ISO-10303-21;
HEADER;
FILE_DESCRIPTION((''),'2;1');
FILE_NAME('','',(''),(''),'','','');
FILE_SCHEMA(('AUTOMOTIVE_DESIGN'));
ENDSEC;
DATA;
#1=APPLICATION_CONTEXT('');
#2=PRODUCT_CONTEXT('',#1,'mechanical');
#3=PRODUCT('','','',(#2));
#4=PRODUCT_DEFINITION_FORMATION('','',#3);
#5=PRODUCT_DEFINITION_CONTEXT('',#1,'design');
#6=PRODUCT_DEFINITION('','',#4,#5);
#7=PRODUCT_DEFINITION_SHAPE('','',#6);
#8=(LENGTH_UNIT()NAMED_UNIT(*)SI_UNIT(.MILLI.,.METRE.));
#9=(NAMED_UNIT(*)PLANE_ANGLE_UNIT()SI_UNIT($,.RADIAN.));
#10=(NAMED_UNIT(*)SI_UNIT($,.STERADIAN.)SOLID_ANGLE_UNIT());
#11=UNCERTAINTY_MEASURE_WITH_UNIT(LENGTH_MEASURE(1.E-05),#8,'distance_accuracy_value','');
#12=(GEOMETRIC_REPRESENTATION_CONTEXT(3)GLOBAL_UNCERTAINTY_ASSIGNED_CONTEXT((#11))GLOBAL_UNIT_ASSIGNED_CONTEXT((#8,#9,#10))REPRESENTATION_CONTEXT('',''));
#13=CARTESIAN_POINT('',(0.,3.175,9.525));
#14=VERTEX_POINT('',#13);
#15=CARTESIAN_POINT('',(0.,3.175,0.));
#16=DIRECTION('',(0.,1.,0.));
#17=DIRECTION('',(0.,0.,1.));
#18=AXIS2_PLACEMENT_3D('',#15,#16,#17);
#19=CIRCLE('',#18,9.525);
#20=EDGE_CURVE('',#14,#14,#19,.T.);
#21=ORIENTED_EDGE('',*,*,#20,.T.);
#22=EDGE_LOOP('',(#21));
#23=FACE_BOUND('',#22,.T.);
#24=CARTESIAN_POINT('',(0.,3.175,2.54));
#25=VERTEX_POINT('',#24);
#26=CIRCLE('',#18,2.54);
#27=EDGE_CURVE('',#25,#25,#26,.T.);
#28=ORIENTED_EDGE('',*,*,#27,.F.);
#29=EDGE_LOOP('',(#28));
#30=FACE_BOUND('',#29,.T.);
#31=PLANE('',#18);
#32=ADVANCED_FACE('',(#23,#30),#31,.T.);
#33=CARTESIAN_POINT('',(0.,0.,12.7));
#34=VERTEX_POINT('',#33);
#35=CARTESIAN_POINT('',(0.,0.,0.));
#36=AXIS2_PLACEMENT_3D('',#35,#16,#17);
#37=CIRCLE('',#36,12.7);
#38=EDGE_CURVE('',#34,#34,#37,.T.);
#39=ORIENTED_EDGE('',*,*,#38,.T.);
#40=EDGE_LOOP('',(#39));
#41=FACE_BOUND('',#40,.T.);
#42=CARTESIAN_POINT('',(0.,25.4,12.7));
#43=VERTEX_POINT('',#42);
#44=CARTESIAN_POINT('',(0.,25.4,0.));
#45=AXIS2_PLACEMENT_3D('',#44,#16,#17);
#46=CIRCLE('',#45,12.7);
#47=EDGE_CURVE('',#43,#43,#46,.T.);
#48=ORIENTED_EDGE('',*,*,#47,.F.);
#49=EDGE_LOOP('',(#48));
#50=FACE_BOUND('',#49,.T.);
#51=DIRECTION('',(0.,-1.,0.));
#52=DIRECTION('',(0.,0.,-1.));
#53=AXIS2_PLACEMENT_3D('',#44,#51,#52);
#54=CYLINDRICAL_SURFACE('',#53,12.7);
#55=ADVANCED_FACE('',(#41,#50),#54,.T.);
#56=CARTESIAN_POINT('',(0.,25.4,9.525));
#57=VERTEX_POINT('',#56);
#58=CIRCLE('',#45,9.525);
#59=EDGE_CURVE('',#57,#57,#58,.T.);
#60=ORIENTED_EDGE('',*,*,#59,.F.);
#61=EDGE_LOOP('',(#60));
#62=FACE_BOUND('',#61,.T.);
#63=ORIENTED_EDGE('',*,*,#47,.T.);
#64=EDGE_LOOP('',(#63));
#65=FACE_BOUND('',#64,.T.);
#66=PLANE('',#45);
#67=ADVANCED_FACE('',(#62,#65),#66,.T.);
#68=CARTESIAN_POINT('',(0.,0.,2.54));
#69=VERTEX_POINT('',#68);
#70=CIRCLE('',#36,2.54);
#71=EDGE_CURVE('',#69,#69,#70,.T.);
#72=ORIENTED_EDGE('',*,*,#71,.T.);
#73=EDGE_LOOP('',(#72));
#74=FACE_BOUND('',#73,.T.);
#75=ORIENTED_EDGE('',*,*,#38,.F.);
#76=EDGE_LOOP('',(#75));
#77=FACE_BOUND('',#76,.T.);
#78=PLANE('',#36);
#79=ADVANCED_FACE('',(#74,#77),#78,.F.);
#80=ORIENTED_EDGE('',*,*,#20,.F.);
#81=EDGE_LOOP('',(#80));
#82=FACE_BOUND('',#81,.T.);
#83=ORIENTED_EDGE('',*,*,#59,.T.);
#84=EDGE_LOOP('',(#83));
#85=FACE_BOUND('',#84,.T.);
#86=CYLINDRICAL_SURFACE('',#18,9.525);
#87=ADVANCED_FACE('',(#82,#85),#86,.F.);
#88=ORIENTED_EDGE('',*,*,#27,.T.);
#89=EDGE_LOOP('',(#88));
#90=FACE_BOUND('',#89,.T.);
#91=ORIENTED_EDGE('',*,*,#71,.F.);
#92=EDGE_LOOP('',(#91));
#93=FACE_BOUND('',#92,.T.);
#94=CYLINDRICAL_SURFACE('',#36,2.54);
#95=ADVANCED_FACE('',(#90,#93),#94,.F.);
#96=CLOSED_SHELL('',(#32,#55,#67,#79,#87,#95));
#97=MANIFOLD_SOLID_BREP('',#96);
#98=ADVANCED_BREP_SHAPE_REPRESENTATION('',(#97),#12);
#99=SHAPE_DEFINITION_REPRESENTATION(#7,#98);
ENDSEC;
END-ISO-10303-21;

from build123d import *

# Parameters (mm, degrees)
SKETCH1_R           = 12.7
BOSS_EXTRUDE1_DEPTH = 25.4
SKETCH2_R           = 9.525
CUT_EXTRUDE1_DEPTH  = 22.225
SKETCH3_R           = 2.54
CUT_EXTRUDE2_DEPTH  = 29.575


with BuildPart() as part:
    # Sketch1 → Boss-Extrude1 (new body)
    with BuildSketch(Plane(origin=(0, 0, 0), x_dir=(1, 0, 0), z_dir=(0, 1, 0))):
        with Locations(Location((0, 0, 0), (0, 0, 270))):
            Circle(SKETCH1_R)
    extrude(amount=BOSS_EXTRUDE1_DEPTH)

    # Sketch2 → Cut-Extrude1 (cut)
    with BuildSketch(Plane(origin=(0, 25.4, 0), x_dir=(1, 0, 0), z_dir=(0, 1, 0))):
        with Locations(Location((0, 0, 0), (0, 0, 270))):
            Circle(SKETCH2_R)
    extrude(amount=-CUT_EXTRUDE1_DEPTH, mode=Mode.SUBTRACT)

    # Sketch3 → Cut-Extrude2 (cut, through all)
    with BuildSketch(Plane(origin=(0, 3.175, 0), x_dir=(1, 0, 0), z_dir=(0, 1, 0))):
        with Locations(Location((0, 0, 0), (0, 0, 270))):
            Circle(SKETCH3_R)
    extrude(amount=-CUT_EXTRUDE2_DEPTH, mode=Mode.SUBTRACT)


solid = part.part
